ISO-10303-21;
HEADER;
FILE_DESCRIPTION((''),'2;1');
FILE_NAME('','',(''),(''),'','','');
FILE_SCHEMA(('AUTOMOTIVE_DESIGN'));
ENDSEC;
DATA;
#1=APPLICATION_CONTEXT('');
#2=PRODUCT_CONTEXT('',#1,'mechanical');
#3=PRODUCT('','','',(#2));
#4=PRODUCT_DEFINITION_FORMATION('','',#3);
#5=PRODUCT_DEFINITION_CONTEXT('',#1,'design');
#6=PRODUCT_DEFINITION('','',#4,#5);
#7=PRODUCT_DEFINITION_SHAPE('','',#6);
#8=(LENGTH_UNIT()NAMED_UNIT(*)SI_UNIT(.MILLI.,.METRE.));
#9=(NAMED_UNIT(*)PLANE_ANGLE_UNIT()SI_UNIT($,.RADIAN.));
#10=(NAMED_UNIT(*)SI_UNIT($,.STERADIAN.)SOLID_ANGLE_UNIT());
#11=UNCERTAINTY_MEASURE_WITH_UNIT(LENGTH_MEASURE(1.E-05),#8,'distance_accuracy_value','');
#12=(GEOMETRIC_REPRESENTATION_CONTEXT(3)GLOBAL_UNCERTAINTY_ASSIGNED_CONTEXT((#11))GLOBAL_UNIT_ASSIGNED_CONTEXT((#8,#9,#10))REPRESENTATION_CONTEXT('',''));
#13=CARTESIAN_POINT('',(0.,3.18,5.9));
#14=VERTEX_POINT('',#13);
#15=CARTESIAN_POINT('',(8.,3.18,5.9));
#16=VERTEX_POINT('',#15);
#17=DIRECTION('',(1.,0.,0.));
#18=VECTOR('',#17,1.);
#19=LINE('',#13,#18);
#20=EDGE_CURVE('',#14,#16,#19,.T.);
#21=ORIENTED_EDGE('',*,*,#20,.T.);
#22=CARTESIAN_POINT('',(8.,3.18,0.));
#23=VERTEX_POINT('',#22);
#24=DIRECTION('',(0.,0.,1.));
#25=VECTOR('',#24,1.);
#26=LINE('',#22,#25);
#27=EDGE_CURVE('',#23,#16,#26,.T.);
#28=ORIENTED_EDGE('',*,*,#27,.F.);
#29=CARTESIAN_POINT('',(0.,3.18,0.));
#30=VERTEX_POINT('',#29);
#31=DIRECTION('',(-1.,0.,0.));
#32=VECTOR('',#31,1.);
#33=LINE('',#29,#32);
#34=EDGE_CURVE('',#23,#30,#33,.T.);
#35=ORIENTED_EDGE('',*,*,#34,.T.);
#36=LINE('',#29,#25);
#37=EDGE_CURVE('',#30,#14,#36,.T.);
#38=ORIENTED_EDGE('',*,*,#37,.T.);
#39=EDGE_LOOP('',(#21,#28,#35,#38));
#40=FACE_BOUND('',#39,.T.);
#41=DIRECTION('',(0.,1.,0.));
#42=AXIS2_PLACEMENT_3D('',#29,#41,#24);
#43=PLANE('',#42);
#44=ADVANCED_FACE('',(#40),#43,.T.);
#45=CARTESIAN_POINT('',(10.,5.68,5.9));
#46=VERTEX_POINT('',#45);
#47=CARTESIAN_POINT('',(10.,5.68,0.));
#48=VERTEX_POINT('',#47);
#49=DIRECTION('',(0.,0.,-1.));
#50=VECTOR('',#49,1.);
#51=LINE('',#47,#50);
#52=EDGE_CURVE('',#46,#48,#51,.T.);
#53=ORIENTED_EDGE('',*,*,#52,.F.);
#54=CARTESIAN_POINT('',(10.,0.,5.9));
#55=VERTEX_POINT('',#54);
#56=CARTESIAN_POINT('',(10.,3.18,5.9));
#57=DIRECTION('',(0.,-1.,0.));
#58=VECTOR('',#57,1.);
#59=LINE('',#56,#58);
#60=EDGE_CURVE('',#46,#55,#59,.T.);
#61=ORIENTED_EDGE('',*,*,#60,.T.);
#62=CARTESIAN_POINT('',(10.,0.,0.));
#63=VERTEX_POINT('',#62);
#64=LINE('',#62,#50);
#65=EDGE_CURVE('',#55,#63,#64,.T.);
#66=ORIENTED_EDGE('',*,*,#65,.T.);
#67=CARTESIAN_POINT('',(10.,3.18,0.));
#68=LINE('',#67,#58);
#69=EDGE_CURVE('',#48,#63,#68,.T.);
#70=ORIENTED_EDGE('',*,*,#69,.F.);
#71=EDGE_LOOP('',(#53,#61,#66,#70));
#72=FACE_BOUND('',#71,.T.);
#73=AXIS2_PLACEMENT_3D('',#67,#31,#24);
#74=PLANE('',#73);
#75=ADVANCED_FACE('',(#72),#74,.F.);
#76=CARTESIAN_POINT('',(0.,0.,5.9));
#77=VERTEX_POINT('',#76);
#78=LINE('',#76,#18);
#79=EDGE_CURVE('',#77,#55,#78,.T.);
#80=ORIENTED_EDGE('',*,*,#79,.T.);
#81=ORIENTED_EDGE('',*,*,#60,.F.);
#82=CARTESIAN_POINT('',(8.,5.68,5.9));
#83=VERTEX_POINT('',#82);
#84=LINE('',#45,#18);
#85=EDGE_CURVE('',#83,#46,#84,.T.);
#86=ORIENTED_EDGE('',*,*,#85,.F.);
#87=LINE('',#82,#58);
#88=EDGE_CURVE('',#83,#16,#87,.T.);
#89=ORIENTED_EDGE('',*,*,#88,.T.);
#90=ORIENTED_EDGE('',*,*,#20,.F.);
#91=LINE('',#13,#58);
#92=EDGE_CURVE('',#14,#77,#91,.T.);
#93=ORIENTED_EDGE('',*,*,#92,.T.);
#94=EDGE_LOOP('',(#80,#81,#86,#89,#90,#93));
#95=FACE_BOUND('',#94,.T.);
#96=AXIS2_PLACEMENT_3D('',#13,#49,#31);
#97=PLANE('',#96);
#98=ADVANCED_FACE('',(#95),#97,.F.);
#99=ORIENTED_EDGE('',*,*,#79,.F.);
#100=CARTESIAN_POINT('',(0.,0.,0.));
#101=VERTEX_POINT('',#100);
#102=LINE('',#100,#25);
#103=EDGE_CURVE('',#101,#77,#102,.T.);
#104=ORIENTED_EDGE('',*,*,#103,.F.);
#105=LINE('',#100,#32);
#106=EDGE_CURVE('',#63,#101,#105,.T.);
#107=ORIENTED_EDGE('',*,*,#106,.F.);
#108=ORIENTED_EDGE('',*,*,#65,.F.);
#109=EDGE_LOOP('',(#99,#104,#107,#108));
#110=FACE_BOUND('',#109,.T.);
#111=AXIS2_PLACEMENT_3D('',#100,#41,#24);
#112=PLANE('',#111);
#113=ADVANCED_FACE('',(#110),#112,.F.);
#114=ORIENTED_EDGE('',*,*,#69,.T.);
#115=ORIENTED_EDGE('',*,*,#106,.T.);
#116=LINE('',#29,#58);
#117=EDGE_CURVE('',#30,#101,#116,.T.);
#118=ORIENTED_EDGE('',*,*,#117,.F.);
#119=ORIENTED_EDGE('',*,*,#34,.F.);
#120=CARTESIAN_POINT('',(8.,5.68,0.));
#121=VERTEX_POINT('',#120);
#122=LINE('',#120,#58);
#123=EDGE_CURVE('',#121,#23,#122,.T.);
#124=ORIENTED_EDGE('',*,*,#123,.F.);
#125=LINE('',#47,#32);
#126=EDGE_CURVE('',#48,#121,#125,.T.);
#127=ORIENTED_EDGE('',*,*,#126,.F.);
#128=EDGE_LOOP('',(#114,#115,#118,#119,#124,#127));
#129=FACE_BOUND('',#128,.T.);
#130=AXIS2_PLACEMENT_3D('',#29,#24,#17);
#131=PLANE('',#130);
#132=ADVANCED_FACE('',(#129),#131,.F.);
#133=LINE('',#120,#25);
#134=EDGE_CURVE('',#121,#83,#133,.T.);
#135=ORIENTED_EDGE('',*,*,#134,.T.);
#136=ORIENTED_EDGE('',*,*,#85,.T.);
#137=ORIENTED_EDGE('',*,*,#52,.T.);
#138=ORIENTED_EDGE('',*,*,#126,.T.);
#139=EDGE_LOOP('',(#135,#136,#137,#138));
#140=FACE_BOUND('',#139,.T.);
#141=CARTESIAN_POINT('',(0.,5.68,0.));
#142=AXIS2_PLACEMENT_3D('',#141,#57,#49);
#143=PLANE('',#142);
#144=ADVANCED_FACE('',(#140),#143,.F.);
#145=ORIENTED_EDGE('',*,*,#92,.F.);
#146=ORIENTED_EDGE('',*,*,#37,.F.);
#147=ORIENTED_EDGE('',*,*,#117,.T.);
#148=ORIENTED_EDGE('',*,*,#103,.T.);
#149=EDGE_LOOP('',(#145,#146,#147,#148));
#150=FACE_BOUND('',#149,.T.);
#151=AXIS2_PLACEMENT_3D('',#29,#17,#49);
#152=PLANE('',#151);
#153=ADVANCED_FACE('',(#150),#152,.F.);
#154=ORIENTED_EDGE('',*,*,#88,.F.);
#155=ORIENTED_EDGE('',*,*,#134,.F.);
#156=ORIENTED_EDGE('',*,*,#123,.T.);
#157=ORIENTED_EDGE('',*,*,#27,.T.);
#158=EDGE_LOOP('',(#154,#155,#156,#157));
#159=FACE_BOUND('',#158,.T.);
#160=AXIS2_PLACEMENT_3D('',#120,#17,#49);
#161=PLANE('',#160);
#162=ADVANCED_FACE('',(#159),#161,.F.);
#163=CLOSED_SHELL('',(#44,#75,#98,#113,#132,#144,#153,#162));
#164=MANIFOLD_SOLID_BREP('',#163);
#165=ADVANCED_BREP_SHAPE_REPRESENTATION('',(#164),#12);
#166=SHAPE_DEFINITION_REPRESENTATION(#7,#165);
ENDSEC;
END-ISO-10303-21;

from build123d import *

# Parameters (mm, degrees)
SKETCH1_W           = 10
SKETCH1_H           = 5.9
BOSS_EXTRUDE1_DEPTH = 3.18
SKETCH2_W           = 2
SKETCH2_H           = 5.9
BOSS_EXTRUDE2_DEPTH = 2.5


with BuildPart() as part:
    # Sketch1 → Boss-Extrude1 (new body)
    with BuildSketch(Plane(origin=(0, 0, 0), x_dir=(1, 0, 0), z_dir=(0, 1, 0))):
        with Locations((5, -2.95)):
            Rectangle(SKETCH1_W, SKETCH1_H)
    extrude(amount=BOSS_EXTRUDE1_DEPTH)

    # Sketch2 → Boss-Extrude2 (add)
    with BuildSketch(Plane(origin=(0, 3.18, 0), x_dir=(1, 0, 0), z_dir=(0, 1, 0))):
        with Locations((9, -2.95)):
            Rectangle(SKETCH2_W, SKETCH2_H)
    extrude(amount=BOSS_EXTRUDE2_DEPTH)


solid = part.part
